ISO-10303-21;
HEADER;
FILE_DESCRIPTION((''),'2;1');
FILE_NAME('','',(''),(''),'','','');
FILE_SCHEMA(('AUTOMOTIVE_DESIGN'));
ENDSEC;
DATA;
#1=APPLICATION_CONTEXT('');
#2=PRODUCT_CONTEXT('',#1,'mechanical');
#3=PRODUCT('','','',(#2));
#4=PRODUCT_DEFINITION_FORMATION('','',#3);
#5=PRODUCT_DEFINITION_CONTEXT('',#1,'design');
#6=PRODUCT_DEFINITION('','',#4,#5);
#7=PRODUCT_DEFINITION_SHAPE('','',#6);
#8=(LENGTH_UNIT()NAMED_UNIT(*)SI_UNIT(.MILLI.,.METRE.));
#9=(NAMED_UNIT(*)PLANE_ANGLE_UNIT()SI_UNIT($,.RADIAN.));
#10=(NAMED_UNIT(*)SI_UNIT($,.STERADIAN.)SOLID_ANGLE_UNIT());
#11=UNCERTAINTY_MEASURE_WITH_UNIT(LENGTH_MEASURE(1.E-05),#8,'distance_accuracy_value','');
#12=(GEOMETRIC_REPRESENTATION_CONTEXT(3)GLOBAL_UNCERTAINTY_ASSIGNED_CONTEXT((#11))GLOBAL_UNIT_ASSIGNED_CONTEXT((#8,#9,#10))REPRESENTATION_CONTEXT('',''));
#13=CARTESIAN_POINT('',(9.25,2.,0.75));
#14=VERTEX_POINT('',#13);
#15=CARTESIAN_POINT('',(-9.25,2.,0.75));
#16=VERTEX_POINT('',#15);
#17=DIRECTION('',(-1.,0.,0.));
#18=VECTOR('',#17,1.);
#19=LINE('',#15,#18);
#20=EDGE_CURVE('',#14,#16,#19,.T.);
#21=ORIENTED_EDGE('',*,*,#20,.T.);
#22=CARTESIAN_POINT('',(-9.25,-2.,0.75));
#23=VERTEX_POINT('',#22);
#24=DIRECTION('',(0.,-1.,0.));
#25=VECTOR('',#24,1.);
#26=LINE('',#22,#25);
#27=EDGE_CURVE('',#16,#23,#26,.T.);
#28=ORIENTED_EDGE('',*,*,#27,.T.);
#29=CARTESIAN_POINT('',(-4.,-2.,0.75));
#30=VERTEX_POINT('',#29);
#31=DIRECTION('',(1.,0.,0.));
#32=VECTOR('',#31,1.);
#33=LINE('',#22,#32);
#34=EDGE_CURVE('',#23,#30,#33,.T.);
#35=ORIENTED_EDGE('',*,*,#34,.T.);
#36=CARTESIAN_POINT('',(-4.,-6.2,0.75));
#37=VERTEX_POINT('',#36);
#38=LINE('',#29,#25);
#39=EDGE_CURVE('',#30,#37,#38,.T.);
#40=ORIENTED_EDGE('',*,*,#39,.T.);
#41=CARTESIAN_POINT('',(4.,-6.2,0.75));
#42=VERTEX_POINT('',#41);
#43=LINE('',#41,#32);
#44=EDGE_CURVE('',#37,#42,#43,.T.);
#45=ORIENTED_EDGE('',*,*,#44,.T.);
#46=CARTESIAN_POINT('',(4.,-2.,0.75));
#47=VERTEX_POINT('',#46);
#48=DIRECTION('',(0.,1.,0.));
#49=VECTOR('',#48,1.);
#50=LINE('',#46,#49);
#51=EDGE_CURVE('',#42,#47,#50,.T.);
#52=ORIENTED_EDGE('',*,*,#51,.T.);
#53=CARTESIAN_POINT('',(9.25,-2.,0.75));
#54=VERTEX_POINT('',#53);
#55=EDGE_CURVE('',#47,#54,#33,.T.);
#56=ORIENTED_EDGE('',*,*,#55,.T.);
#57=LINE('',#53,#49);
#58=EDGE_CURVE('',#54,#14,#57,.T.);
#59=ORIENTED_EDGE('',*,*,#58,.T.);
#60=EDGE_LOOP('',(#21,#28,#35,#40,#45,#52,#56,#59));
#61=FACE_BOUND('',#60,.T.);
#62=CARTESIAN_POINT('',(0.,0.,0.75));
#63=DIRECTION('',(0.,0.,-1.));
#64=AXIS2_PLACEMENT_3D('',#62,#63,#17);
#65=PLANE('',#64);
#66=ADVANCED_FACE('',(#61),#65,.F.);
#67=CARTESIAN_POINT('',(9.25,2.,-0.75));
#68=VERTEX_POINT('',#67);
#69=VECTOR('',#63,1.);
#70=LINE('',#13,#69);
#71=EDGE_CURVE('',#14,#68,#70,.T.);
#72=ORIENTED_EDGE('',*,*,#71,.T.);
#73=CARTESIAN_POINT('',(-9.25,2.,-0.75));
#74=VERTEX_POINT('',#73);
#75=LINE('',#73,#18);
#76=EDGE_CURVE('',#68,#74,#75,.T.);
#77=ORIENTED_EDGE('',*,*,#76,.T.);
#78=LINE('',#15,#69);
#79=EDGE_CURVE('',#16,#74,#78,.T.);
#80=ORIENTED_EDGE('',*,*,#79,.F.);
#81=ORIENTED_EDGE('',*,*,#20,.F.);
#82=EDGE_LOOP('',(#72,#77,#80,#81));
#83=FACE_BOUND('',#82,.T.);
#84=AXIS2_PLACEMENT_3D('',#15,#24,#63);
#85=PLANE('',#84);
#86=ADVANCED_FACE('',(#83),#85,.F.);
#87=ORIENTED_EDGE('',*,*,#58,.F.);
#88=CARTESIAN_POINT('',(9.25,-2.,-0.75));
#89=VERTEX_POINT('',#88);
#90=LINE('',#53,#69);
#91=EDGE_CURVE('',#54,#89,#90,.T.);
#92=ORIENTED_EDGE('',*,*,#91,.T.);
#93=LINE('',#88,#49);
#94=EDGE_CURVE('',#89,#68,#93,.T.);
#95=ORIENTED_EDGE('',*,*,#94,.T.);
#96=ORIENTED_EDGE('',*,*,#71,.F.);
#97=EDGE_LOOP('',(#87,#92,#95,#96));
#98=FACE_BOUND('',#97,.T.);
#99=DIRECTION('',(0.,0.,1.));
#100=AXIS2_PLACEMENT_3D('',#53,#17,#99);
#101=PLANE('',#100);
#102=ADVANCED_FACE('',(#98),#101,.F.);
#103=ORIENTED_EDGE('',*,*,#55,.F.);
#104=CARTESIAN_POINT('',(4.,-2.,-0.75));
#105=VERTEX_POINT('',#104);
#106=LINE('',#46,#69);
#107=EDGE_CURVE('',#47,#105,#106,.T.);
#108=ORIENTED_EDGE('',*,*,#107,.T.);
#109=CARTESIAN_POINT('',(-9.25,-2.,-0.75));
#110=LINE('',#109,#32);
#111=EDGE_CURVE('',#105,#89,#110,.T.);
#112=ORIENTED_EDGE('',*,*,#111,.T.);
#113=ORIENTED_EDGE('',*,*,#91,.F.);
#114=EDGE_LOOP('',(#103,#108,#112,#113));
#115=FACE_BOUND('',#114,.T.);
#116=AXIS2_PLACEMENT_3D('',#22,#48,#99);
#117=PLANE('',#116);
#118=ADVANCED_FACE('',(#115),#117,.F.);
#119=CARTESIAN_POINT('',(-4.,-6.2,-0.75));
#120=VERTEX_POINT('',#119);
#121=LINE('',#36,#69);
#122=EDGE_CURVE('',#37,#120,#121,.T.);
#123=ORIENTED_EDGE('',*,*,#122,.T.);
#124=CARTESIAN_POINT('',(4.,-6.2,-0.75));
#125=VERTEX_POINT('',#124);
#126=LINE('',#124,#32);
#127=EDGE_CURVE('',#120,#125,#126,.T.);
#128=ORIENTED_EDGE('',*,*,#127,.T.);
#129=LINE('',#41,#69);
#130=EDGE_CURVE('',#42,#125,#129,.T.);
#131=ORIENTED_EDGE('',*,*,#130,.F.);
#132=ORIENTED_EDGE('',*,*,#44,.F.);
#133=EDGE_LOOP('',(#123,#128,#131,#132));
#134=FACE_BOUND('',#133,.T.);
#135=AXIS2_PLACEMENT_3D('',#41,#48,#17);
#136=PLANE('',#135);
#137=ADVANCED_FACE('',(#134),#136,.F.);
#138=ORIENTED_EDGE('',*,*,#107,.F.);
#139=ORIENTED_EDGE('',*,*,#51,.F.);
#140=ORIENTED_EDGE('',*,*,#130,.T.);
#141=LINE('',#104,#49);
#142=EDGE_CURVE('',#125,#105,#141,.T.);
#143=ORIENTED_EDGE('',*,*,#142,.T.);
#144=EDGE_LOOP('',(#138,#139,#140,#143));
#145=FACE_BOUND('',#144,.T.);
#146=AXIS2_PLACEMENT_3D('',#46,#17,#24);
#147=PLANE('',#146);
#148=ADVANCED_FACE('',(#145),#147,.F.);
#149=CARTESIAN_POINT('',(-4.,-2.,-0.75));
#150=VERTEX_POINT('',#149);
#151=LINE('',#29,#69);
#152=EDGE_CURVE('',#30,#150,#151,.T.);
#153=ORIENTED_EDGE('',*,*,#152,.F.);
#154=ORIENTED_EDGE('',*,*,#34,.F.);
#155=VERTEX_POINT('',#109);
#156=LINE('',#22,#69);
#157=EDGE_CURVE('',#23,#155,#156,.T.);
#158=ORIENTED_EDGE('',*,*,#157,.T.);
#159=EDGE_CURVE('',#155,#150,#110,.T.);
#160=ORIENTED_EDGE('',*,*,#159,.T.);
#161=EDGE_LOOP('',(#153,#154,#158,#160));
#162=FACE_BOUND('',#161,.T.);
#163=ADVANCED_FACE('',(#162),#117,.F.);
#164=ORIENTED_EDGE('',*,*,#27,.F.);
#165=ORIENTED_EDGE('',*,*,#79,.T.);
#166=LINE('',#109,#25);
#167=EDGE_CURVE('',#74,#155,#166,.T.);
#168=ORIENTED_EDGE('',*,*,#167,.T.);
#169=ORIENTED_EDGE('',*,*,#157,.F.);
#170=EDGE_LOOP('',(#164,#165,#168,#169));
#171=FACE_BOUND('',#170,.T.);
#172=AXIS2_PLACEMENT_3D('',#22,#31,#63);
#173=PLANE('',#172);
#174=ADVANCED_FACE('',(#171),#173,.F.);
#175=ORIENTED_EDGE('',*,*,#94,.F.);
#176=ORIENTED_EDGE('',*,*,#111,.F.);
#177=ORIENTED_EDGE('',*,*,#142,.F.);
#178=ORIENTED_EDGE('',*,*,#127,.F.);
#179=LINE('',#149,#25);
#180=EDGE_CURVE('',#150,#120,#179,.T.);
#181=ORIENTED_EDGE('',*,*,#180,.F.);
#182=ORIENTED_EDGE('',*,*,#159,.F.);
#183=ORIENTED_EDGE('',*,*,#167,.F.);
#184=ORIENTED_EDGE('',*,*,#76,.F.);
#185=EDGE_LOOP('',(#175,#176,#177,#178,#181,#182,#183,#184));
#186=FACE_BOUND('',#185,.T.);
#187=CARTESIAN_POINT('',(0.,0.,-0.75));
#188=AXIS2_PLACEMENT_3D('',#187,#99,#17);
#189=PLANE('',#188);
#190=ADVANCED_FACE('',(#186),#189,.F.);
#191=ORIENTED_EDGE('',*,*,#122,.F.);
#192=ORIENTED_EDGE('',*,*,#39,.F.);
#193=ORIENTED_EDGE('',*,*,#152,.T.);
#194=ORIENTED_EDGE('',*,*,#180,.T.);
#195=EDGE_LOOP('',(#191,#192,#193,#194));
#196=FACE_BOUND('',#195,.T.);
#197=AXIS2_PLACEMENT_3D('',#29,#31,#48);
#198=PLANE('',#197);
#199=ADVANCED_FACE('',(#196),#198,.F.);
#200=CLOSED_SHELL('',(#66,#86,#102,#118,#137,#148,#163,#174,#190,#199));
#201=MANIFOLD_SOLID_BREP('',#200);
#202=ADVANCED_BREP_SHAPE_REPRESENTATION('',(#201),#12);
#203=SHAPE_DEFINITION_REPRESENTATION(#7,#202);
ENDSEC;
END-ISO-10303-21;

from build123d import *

# Parameters (mm, degrees)
SKETCH1_W           = 18.5
SKETCH1_H           = 4
BOSS_EXTRUDE1_DEPTH = 0.75
SKETCH2_W           = 8
SKETCH2_H           = 4.2
BOSS_EXTRUDE2_DEPTH = 0.75


with BuildPart() as part:
    # Sketch1 → Boss-Extrude1 (new body)
    with BuildSketch(Plane.XY):
        Rectangle(SKETCH1_W, SKETCH1_H)
    boss_extrude1 = extrude(amount=BOSS_EXTRUDE1_DEPTH)

    # Sketch2 → Boss-Extrude2 (add)
    with BuildSketch(Plane.XY):
        with Locations((0, -4.1)):
            Rectangle(SKETCH2_W, SKETCH2_H)
    boss_extrude2 = extrude(amount=BOSS_EXTRUDE2_DEPTH)

    # Mirror1: Boss-Extrude1, Boss-Extrude2 across plane
    add(boss_extrude1.mirror(Plane.XY))
    add(boss_extrude2.mirror(Plane.XY))


solid = part.part
